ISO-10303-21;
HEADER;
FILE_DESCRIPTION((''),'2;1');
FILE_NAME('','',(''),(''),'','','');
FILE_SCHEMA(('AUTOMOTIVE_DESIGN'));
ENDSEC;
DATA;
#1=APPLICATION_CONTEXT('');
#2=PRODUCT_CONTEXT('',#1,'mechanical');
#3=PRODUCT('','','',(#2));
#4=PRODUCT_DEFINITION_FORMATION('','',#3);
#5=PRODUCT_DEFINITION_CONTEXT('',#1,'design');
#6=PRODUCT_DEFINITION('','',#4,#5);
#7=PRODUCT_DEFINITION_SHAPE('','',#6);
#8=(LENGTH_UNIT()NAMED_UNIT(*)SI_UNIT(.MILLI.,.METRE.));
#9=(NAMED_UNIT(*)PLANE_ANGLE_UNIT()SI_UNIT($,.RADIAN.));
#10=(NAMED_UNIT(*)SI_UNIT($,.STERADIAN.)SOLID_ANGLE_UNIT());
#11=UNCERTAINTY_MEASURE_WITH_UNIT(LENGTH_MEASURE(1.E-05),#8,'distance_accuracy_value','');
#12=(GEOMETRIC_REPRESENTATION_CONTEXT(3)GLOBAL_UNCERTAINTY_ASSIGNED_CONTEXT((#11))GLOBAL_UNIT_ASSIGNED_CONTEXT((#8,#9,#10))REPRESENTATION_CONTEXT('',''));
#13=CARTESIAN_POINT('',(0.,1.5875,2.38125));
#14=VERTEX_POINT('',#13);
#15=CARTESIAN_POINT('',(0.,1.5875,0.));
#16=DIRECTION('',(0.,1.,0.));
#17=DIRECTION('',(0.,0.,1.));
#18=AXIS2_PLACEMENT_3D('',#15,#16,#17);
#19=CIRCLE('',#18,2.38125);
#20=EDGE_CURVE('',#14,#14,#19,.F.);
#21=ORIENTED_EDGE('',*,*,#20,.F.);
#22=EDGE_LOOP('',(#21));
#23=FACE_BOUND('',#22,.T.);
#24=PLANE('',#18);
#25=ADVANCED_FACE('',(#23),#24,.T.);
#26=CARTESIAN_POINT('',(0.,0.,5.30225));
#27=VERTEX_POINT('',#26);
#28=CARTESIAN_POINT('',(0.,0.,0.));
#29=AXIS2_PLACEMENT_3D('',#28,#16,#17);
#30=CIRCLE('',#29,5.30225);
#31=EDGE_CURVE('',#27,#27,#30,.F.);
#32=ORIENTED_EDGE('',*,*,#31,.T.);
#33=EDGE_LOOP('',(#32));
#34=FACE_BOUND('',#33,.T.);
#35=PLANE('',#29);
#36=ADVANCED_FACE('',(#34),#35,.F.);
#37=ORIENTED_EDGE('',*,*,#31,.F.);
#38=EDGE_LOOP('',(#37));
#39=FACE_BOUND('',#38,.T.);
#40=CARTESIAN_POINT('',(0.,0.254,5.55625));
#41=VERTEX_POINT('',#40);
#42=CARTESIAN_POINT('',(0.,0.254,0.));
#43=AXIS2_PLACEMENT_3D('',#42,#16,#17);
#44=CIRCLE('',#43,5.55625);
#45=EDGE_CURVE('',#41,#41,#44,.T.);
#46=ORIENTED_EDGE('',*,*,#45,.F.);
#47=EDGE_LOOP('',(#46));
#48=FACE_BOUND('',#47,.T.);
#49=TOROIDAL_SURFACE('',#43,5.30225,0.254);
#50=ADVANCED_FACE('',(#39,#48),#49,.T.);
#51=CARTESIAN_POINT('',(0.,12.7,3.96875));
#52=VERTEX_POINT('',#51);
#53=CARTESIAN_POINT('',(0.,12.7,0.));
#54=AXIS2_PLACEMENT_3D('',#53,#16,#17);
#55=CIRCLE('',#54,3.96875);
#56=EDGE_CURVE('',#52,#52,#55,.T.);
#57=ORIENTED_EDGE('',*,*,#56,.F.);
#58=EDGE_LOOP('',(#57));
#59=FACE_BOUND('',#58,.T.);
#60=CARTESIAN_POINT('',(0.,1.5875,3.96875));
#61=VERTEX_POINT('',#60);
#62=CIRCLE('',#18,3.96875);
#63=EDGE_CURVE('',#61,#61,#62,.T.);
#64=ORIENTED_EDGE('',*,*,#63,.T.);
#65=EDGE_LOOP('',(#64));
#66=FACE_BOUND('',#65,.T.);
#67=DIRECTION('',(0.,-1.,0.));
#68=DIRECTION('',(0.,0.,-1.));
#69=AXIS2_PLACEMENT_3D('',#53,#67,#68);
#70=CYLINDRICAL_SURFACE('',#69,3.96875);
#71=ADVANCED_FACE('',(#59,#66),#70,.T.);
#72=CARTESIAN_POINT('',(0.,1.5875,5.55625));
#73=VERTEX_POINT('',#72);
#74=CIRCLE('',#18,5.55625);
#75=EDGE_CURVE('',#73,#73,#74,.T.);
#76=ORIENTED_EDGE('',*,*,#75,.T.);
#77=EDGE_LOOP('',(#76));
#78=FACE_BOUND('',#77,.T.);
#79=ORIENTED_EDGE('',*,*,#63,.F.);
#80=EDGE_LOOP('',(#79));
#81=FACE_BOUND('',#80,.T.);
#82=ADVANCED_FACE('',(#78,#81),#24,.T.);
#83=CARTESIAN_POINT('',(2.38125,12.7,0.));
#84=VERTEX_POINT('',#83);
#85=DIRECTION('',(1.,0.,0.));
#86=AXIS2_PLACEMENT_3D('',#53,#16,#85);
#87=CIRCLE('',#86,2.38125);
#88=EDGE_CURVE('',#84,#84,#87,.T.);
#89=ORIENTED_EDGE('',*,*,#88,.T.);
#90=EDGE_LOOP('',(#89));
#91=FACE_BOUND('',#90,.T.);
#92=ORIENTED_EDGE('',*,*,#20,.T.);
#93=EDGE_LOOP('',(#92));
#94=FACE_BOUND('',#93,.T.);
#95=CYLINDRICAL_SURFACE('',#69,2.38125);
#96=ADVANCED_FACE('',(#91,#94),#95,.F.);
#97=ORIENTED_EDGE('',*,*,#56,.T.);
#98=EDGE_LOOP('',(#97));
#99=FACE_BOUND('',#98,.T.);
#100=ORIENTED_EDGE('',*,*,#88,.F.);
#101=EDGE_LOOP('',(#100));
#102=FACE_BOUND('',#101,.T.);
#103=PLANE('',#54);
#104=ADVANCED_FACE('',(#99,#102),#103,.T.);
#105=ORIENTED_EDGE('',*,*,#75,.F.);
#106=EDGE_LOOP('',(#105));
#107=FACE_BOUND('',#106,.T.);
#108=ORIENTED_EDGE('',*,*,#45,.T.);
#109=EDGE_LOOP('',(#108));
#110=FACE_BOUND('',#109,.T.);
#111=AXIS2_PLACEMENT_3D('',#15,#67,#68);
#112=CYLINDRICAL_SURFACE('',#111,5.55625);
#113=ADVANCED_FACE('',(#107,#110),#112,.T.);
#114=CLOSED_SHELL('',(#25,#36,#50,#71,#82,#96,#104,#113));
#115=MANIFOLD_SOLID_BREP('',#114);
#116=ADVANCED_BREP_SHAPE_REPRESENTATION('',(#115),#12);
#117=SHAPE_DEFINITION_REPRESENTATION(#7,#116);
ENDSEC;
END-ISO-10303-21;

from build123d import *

# Parameters (mm, degrees)
SKETCH1_R           = 5.55625
BOSS_EXTRUDE1_DEPTH = 1.5875
SKETCH2_R           = 3.96875
SKETCH2_R_2         = 2.38125
EXTRUDE_THIN1_DEPTH = 11.1125
FILLET1_R           = 0.254


with BuildPart() as part:
    # Sketch1 → Boss-Extrude1 (new body)
    with BuildSketch(Plane(origin=(0, 0, 0), x_dir=(1, 0, 0), z_dir=(0, 1, 0))):
        Circle(SKETCH1_R)
    extrude(amount=BOSS_EXTRUDE1_DEPTH)

    # Sketch2 → Extrude-Thin1 (add)
    with BuildSketch(Plane(origin=(0, 1.5875, 0), x_dir=(1, 0, 0), z_dir=(0, 1, 0))):
        Circle(SKETCH2_R)
        Circle(SKETCH2_R_2, mode=Mode.SUBTRACT)
    extrude(amount=EXTRUDE_THIN1_DEPTH)

    # Fillet1
    fillet1_edges = [part.edges().sort_by_distance(p)[0] for p in [
        (-5.55625, 0, 0),
    ]]
    fillet(fillet1_edges, radius=FILLET1_R)


solid = part.part
